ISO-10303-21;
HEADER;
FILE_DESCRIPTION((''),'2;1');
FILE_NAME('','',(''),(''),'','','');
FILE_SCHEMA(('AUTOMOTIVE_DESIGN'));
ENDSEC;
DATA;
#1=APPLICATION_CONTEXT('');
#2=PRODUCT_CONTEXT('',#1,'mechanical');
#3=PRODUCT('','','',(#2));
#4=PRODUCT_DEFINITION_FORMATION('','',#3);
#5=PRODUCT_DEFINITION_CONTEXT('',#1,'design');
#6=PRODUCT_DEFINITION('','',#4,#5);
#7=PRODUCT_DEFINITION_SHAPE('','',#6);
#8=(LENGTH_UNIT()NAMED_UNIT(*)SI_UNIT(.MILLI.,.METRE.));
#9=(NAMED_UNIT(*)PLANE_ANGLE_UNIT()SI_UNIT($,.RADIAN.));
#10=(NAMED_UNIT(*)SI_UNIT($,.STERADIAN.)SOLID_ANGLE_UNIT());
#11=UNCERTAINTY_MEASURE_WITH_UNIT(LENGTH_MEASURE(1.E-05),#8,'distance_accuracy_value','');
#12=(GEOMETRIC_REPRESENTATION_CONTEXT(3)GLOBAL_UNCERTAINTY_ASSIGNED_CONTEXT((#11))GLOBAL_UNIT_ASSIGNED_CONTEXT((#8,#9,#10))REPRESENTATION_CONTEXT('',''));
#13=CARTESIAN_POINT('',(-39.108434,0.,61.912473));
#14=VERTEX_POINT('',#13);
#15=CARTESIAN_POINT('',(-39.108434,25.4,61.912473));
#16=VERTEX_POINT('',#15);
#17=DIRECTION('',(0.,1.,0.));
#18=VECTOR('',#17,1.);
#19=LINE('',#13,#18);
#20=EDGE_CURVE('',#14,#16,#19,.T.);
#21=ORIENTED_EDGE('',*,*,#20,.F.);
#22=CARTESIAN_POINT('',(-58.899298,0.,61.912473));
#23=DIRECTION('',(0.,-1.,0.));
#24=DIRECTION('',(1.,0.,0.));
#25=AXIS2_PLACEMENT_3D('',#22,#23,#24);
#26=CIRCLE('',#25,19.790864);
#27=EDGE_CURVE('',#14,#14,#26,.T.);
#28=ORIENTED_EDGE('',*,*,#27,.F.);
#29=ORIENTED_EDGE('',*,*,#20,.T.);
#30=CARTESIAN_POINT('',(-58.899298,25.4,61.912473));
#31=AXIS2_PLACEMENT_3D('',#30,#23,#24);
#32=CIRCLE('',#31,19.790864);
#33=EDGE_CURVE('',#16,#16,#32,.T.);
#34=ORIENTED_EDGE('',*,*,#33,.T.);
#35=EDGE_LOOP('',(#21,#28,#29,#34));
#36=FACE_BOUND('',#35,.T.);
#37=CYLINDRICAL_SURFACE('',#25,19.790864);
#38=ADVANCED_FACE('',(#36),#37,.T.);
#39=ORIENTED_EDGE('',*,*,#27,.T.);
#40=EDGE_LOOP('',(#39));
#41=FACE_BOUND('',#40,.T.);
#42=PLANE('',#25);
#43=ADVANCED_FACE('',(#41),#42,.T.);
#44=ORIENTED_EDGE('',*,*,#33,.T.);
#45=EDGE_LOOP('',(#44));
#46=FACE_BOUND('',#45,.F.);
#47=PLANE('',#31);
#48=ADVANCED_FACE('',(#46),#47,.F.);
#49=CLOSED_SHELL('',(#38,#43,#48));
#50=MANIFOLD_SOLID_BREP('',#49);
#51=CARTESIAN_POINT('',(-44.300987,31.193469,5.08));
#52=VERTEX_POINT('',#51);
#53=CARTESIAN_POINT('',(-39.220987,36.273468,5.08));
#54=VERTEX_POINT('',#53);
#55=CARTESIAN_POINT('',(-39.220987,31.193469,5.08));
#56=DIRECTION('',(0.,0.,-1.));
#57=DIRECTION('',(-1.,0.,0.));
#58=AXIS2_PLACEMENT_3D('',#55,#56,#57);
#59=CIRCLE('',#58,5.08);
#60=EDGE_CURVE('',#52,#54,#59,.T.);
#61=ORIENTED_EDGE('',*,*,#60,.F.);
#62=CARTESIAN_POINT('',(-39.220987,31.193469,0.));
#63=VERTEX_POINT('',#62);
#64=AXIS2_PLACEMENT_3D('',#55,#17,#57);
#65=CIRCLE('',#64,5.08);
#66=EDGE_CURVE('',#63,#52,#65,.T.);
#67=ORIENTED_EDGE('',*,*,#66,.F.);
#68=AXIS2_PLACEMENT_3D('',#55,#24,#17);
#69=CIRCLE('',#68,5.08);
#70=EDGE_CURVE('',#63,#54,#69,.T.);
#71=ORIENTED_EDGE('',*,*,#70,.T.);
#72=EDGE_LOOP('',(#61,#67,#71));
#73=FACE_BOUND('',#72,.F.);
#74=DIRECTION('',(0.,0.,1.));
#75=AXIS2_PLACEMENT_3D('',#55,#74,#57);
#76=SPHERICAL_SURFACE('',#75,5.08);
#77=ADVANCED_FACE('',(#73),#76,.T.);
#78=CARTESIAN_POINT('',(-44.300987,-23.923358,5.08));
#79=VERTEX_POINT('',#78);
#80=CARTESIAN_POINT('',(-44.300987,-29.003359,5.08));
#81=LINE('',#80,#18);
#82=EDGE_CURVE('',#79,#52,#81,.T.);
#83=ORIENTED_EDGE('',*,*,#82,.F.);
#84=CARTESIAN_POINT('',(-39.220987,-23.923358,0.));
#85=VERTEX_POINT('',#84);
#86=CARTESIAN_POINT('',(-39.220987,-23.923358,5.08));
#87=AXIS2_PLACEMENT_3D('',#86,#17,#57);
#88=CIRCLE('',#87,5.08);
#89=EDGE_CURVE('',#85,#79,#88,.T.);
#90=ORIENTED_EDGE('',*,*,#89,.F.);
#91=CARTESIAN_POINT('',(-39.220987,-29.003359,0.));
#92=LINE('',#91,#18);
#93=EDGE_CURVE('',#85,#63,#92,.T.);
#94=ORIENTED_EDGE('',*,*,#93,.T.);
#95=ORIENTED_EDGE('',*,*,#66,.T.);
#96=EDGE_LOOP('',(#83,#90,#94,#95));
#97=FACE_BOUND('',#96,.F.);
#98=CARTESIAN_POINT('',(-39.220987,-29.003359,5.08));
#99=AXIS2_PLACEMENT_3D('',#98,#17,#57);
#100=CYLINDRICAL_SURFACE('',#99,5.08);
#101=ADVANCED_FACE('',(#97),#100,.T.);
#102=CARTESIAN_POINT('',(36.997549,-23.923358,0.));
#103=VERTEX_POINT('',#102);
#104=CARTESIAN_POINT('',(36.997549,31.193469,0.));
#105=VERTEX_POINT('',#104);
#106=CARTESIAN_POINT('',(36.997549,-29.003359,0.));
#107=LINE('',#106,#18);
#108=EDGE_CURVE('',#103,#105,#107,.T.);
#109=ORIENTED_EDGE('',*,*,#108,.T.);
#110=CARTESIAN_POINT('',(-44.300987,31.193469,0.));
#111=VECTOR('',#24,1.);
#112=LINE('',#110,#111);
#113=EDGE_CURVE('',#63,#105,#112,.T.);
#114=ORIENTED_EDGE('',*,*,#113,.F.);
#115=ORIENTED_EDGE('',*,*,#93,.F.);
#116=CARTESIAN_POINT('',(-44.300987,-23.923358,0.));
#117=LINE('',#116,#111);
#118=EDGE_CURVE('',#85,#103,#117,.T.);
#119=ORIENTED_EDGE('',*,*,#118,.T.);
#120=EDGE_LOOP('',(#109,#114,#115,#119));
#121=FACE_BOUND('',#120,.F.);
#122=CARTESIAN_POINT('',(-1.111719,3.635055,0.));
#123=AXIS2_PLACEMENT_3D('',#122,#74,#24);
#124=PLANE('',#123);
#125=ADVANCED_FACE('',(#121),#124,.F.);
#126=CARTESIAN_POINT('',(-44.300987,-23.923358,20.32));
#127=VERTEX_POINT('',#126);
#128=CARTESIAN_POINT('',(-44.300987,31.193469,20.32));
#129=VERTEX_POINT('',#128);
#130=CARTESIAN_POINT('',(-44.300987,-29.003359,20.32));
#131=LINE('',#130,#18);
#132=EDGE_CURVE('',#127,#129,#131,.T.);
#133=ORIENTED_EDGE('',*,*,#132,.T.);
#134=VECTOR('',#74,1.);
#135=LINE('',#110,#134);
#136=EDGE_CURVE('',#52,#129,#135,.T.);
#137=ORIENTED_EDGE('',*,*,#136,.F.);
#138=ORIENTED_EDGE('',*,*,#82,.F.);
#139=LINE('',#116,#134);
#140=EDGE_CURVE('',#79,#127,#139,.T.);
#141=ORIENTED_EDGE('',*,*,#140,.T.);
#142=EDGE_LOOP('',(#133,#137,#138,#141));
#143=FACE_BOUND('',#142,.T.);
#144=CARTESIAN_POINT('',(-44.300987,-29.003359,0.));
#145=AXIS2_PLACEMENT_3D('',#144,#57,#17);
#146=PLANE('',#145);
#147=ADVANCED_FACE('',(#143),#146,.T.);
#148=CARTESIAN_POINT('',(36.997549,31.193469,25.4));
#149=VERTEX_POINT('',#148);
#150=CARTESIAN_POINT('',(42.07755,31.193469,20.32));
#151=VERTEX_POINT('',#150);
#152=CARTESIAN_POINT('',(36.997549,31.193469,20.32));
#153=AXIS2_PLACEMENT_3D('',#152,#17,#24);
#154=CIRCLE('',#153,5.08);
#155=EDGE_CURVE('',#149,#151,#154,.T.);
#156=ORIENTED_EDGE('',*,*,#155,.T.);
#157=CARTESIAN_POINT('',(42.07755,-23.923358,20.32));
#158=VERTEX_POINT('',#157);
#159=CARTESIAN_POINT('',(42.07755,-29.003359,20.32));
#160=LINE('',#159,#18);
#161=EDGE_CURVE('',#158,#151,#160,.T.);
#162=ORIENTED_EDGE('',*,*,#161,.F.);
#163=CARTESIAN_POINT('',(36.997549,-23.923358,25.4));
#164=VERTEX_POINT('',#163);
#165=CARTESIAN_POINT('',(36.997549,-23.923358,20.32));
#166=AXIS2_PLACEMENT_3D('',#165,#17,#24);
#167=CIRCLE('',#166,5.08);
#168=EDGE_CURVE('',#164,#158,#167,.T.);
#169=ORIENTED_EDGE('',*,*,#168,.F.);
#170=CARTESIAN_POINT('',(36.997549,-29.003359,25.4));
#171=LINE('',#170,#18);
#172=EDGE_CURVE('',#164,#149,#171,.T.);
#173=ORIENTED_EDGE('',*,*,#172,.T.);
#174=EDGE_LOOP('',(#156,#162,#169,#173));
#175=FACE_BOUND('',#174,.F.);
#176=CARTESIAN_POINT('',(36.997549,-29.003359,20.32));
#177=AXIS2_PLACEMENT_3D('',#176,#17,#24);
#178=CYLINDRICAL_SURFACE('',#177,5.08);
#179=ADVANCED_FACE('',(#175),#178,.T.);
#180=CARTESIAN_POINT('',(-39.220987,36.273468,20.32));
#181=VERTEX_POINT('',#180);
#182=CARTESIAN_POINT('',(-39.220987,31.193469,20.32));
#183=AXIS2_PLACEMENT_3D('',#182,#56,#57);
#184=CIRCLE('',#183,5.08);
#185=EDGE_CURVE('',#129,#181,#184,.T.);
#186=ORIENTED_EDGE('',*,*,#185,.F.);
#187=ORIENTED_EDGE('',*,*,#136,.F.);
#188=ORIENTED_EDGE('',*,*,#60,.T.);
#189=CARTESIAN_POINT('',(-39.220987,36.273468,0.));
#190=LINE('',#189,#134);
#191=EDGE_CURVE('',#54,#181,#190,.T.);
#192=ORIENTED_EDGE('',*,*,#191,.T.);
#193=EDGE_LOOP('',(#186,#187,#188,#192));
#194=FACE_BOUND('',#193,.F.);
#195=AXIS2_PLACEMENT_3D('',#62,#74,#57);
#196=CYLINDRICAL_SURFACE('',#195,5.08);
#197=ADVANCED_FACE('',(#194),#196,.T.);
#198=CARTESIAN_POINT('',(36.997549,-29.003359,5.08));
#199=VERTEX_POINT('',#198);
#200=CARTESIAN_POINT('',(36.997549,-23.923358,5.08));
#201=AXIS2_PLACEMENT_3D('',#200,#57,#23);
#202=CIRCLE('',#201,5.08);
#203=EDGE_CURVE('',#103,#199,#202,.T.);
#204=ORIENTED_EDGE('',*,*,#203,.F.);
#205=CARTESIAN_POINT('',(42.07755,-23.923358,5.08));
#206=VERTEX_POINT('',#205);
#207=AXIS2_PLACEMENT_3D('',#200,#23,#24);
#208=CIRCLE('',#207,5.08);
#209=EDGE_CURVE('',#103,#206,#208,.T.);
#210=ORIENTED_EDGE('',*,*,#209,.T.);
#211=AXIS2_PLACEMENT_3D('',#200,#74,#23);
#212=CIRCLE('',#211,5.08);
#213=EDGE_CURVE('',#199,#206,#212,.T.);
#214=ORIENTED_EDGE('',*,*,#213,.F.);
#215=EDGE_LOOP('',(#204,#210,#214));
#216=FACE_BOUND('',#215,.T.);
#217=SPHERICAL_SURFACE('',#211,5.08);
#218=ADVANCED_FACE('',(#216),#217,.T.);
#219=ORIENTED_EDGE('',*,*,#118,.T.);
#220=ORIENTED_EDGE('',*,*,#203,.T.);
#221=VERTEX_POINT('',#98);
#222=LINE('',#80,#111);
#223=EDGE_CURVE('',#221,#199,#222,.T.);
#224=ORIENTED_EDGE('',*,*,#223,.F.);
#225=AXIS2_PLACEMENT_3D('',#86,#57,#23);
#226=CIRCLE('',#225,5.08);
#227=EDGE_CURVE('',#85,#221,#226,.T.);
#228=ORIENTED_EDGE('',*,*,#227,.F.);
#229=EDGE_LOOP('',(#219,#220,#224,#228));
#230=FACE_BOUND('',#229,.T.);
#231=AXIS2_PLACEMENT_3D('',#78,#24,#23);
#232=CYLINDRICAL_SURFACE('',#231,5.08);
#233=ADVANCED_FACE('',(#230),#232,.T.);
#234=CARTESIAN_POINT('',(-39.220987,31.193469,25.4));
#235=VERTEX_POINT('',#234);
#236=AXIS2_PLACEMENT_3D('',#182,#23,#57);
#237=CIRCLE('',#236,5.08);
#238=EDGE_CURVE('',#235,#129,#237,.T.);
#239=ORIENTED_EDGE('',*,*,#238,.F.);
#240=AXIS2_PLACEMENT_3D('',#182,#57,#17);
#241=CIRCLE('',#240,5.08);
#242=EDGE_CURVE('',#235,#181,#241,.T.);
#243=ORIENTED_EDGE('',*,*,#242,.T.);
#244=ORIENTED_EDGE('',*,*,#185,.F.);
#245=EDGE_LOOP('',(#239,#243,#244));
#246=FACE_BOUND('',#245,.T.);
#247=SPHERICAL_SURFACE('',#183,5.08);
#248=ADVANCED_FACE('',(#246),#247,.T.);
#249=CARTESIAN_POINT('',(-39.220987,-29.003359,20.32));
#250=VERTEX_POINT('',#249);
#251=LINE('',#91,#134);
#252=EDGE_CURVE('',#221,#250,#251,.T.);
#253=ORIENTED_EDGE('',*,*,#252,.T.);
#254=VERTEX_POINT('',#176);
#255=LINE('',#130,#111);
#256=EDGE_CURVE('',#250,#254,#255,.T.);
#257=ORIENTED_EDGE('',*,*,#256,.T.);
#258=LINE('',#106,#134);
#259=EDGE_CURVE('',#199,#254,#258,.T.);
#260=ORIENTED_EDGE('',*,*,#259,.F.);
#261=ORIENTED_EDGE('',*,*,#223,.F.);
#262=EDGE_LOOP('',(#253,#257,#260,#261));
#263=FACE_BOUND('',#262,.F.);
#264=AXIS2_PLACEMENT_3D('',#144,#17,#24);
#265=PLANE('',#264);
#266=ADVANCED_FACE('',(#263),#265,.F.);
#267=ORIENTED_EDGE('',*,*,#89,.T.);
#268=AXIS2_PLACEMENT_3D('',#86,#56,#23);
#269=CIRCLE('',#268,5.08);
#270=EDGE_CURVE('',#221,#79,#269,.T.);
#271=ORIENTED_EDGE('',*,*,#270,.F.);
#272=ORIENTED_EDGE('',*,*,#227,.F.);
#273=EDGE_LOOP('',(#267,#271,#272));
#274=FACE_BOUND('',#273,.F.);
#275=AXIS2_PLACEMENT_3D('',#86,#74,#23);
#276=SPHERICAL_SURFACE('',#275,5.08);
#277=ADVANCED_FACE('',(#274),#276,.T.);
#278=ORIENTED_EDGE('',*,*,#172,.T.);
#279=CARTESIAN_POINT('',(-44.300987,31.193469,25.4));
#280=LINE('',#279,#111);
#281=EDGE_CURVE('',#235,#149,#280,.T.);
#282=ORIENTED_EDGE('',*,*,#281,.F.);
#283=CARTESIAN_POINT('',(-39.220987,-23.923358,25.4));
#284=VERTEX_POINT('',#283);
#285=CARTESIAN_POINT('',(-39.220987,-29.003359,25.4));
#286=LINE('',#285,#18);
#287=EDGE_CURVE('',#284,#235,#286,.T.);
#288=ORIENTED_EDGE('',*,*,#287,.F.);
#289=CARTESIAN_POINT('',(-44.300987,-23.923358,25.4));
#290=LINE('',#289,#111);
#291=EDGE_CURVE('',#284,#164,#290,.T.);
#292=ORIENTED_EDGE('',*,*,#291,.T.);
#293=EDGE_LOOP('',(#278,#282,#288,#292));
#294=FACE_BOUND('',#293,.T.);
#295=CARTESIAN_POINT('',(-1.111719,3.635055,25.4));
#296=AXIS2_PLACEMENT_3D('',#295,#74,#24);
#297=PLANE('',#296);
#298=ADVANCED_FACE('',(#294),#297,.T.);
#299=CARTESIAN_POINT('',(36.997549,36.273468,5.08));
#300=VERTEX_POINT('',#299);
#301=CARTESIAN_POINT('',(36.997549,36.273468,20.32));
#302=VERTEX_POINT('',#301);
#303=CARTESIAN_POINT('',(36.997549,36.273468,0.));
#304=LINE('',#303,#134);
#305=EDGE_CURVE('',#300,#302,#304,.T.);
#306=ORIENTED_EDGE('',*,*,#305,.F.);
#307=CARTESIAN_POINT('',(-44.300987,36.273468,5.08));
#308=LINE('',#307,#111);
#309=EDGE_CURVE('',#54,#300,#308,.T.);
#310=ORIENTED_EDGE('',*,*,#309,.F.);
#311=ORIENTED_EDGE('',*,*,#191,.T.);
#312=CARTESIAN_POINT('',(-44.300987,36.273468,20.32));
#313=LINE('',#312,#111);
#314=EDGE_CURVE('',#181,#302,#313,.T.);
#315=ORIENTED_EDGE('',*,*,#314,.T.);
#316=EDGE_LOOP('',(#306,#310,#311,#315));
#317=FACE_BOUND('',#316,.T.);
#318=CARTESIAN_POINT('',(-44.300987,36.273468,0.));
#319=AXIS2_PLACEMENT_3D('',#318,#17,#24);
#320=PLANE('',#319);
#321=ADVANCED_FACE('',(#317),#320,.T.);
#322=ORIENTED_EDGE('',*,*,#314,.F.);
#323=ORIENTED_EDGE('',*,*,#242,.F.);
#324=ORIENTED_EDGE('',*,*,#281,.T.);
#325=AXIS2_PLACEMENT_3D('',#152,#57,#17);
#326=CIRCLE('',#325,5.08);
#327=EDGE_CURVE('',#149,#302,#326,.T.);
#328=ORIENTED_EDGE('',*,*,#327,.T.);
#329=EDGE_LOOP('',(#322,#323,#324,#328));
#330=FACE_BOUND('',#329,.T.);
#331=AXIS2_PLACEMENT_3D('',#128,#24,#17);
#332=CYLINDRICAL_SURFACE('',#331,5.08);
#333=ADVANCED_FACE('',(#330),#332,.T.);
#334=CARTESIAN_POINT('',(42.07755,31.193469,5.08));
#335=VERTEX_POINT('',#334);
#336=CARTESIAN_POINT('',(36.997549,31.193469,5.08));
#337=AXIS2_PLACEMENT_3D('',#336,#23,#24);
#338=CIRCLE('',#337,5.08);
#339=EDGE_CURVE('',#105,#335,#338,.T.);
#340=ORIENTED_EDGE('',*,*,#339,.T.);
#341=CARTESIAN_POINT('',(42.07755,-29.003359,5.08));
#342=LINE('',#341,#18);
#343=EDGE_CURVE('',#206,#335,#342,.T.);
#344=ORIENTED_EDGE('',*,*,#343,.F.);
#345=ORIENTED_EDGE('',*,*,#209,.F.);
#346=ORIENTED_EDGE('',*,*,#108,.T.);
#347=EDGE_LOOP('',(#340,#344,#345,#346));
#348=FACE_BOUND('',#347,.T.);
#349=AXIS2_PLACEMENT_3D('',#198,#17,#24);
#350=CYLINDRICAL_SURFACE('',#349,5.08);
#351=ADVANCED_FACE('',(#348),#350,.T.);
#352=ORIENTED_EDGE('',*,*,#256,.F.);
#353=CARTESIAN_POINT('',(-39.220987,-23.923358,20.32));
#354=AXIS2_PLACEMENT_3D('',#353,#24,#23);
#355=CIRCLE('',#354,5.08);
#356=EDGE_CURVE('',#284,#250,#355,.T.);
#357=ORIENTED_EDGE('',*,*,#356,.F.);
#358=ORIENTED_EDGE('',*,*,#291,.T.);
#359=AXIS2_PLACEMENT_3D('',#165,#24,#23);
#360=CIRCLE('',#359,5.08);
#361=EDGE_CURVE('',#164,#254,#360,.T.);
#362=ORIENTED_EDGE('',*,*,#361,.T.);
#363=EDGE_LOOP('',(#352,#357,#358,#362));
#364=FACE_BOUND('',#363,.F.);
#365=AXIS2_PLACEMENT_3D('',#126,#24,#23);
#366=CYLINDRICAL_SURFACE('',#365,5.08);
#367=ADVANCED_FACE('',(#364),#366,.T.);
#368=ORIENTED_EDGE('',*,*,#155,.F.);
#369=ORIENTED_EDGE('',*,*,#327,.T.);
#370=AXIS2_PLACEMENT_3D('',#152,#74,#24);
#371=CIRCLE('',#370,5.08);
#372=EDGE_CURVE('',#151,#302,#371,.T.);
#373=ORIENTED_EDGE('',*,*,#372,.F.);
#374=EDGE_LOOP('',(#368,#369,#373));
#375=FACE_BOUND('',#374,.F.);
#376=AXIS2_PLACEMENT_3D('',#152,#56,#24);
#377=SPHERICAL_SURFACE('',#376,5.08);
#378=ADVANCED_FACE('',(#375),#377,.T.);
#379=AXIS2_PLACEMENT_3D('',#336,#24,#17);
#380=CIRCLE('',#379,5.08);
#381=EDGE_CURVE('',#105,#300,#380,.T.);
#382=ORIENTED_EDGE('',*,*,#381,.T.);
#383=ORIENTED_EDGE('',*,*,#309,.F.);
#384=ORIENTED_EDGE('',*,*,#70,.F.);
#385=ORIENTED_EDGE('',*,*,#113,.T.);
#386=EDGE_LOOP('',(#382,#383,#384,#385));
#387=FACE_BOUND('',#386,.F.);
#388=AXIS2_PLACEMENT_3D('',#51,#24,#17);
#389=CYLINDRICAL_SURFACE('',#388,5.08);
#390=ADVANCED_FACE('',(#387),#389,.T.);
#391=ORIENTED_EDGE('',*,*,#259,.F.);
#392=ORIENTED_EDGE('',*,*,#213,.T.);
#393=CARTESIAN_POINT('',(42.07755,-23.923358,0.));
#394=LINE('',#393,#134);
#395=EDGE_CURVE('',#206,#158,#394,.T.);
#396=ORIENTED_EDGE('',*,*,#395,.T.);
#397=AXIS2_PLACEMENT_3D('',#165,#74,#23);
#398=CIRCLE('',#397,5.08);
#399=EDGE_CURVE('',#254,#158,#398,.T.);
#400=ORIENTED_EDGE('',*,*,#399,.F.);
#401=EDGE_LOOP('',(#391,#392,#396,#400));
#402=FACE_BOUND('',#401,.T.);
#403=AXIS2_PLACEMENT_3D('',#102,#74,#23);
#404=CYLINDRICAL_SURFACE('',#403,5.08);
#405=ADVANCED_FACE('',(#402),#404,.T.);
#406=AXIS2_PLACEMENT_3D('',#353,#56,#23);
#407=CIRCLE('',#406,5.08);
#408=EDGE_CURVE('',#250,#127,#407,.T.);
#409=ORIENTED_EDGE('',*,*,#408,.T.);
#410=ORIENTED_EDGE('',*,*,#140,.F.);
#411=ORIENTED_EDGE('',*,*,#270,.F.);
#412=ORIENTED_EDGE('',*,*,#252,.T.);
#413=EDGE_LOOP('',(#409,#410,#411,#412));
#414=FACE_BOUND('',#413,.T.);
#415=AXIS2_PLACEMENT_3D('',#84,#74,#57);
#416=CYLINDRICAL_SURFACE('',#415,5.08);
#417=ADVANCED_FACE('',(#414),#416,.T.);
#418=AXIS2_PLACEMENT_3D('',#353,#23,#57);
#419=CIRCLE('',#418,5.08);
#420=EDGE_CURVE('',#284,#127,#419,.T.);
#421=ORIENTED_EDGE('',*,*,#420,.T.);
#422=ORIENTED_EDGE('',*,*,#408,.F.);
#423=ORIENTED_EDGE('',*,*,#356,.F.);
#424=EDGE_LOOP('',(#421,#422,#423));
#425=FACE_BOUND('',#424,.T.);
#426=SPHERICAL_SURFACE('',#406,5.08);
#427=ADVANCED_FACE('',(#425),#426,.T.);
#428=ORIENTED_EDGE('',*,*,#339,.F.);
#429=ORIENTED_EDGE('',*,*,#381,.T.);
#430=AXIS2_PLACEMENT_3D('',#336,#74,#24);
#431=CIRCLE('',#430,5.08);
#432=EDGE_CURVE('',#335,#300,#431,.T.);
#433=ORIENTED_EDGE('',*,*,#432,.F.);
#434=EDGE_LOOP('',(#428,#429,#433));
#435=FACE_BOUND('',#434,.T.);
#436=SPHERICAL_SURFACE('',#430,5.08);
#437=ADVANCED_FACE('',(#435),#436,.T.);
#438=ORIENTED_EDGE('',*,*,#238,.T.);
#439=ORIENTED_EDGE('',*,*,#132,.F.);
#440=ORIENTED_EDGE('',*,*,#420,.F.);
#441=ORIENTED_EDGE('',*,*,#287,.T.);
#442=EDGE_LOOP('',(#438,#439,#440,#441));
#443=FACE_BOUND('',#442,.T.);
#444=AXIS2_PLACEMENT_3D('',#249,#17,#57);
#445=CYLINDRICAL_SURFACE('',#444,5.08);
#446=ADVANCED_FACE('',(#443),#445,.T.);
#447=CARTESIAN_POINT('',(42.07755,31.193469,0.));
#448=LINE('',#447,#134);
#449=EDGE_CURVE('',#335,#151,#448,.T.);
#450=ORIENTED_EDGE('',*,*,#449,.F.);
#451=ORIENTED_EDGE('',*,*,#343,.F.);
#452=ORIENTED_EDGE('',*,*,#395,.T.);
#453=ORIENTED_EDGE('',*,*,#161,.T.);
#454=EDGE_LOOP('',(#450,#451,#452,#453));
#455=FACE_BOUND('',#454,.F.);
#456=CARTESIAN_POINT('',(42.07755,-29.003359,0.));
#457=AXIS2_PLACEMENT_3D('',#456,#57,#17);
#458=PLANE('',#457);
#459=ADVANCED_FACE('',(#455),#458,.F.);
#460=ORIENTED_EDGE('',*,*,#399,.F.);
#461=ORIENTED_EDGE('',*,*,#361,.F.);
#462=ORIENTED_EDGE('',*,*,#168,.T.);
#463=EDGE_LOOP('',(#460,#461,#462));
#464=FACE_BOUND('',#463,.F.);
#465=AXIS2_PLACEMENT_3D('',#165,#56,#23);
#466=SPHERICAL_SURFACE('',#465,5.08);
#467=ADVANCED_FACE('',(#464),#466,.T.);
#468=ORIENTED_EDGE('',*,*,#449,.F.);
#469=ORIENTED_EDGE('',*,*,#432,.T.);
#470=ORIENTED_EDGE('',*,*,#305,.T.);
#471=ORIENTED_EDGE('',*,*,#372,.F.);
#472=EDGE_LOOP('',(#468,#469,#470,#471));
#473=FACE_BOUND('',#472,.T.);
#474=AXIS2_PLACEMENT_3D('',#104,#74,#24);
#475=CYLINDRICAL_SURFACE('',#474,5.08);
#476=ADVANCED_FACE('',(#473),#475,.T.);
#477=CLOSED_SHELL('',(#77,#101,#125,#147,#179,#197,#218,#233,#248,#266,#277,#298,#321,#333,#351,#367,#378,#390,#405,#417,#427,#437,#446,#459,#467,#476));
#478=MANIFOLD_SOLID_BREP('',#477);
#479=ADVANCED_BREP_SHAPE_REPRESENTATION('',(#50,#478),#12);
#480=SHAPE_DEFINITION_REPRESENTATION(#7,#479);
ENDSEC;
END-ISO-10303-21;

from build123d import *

# Parameters (mm, degrees)
F0_W     = 86.378537
F0_H     = 65.276827
F1_DEPTH = 25.4
F2_R     = 5.08
F3_R     = 19.790864
F4_DEPTH = 25.4


with BuildPart() as f1:
    # F0 (on Top) → F1 (new body)
    with BuildSketch(Plane.XY):
        with Locations((-1.111719, 3.635055)):
            Rectangle(F0_W, F0_H)
    extrude(amount=F1_DEPTH)

    # F2
    f2_edges = [f1.edges().sort_by_distance(p)[0] for p in [
        (-44.300988, -29.003359, 12.7),
        (42.077549, -29.003359, 12.7),
        (-1.11172, -29.003359, 0),
        (-1.11172, -29.003359, 25.4),
        (42.077549, 36.273468, 12.7),
        (42.077549, 3.635054, 0),
        (42.077549, 3.635054, 25.4),
        (-44.300988, 36.273468, 12.7),
        (-44.300988, 3.635054, 0),
        (-44.300988, 3.635054, 25.4),
        (-1.11172, 36.273468, 0),
        (-1.11172, 36.273468, 25.4),
    ]]
    fillet(f2_edges, radius=F2_R)


with BuildPart() as f4:
    # F3 (on Front) → F4 (new body)
    with BuildSketch(Plane.XZ):
        with Locations((-58.899298, 61.912473)):
            Circle(F3_R)
    extrude(amount=-F4_DEPTH)


solid = Compound([f1.part, f4.part])
